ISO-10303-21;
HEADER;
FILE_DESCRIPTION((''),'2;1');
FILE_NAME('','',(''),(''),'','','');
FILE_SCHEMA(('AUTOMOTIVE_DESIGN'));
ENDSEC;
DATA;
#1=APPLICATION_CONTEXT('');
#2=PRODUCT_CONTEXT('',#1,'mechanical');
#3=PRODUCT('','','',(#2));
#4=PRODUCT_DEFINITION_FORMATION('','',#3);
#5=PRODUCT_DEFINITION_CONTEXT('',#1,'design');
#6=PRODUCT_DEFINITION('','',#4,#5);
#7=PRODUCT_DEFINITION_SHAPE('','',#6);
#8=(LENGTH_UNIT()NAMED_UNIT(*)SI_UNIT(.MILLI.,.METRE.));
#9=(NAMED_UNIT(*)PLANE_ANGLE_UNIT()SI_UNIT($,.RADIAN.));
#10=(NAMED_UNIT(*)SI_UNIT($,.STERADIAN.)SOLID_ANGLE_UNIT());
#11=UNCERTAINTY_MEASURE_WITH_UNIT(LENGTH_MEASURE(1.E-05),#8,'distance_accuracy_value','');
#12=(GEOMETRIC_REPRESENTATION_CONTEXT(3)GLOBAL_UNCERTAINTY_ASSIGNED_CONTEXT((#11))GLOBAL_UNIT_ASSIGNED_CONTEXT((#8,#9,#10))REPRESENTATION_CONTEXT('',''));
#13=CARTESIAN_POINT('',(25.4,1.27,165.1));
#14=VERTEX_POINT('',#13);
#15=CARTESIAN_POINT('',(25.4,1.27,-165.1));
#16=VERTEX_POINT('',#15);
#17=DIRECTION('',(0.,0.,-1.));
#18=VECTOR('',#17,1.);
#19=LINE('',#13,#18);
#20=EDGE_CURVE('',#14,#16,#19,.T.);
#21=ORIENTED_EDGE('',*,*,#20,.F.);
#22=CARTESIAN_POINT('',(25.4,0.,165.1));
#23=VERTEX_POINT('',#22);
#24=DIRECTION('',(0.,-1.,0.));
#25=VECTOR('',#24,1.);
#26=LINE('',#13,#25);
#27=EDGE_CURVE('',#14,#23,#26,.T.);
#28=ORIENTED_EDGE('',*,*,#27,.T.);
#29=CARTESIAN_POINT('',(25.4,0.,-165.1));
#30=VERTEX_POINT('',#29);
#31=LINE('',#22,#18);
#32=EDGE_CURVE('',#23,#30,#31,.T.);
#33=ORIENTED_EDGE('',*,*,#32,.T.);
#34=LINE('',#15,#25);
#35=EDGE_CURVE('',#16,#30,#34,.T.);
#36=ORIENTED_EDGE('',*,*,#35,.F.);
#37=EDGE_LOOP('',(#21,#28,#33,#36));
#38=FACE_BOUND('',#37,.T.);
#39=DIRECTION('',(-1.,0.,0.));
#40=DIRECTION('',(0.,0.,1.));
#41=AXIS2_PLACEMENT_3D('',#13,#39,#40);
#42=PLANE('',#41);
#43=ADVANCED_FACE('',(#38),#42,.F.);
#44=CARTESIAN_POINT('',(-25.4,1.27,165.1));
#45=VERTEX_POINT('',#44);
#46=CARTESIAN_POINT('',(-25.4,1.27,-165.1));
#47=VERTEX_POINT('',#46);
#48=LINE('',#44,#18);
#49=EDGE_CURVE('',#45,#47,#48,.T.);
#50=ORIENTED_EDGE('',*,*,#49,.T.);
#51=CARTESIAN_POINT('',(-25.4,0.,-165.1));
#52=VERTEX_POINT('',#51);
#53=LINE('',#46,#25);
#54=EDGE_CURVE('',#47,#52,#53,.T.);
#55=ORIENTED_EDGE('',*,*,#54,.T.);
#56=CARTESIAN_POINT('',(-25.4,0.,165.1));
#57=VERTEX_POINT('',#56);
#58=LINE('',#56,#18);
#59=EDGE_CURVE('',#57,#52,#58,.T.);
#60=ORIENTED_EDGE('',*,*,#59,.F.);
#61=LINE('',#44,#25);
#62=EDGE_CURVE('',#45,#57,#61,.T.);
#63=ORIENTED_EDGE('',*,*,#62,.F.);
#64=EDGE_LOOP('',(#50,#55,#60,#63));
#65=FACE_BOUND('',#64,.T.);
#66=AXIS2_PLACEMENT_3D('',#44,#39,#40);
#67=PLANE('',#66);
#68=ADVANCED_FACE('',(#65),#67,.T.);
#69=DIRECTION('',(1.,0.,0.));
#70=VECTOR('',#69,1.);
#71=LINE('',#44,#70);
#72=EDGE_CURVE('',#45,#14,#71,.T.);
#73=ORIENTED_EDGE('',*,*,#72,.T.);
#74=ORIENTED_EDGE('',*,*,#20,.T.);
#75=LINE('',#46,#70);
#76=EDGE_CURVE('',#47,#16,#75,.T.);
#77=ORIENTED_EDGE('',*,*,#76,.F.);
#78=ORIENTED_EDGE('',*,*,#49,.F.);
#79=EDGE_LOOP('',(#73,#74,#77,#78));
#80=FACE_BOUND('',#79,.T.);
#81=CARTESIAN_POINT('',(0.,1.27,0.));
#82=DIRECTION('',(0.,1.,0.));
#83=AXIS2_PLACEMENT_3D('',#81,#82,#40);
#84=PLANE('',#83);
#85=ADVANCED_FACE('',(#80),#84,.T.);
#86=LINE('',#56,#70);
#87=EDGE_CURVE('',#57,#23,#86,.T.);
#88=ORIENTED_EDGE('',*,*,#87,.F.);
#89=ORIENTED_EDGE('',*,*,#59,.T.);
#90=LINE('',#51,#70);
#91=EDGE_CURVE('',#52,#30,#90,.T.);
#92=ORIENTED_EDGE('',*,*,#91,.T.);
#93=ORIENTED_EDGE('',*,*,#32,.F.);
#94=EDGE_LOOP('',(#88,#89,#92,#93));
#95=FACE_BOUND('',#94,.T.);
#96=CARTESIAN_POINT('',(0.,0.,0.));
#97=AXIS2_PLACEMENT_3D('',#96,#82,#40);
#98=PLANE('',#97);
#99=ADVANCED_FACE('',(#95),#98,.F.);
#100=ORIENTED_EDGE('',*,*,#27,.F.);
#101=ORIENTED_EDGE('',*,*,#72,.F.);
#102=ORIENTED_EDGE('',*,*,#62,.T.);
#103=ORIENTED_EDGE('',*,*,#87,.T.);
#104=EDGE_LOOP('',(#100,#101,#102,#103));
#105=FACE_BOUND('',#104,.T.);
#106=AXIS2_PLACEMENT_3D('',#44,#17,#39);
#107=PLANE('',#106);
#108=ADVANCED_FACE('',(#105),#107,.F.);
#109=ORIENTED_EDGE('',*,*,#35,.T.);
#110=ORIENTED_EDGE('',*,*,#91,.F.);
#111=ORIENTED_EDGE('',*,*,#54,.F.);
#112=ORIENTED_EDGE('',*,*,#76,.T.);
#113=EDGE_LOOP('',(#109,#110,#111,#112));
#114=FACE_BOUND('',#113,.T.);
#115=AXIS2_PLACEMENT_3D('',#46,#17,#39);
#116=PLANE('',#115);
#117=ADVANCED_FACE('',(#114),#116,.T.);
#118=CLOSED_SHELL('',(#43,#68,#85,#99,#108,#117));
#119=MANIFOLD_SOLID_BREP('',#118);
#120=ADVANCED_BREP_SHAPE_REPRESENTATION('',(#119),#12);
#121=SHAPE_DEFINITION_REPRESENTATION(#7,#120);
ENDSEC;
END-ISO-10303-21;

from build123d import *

# Parameters (mm, degrees)
SKETCH1_W           = 50.8
SKETCH1_H           = 330.2
BOSS_EXTRUDE1_DEPTH = 1.27


with BuildPart() as part:
    # Sketch1 → Boss-Extrude1 (new body)
    with BuildSketch(Plane(origin=(0, 0, 0), x_dir=(1, 0, 0), z_dir=(0, 1, 0))):
        Rectangle(SKETCH1_W, SKETCH1_H)
    extrude(amount=BOSS_EXTRUDE1_DEPTH)


solid = part.part
